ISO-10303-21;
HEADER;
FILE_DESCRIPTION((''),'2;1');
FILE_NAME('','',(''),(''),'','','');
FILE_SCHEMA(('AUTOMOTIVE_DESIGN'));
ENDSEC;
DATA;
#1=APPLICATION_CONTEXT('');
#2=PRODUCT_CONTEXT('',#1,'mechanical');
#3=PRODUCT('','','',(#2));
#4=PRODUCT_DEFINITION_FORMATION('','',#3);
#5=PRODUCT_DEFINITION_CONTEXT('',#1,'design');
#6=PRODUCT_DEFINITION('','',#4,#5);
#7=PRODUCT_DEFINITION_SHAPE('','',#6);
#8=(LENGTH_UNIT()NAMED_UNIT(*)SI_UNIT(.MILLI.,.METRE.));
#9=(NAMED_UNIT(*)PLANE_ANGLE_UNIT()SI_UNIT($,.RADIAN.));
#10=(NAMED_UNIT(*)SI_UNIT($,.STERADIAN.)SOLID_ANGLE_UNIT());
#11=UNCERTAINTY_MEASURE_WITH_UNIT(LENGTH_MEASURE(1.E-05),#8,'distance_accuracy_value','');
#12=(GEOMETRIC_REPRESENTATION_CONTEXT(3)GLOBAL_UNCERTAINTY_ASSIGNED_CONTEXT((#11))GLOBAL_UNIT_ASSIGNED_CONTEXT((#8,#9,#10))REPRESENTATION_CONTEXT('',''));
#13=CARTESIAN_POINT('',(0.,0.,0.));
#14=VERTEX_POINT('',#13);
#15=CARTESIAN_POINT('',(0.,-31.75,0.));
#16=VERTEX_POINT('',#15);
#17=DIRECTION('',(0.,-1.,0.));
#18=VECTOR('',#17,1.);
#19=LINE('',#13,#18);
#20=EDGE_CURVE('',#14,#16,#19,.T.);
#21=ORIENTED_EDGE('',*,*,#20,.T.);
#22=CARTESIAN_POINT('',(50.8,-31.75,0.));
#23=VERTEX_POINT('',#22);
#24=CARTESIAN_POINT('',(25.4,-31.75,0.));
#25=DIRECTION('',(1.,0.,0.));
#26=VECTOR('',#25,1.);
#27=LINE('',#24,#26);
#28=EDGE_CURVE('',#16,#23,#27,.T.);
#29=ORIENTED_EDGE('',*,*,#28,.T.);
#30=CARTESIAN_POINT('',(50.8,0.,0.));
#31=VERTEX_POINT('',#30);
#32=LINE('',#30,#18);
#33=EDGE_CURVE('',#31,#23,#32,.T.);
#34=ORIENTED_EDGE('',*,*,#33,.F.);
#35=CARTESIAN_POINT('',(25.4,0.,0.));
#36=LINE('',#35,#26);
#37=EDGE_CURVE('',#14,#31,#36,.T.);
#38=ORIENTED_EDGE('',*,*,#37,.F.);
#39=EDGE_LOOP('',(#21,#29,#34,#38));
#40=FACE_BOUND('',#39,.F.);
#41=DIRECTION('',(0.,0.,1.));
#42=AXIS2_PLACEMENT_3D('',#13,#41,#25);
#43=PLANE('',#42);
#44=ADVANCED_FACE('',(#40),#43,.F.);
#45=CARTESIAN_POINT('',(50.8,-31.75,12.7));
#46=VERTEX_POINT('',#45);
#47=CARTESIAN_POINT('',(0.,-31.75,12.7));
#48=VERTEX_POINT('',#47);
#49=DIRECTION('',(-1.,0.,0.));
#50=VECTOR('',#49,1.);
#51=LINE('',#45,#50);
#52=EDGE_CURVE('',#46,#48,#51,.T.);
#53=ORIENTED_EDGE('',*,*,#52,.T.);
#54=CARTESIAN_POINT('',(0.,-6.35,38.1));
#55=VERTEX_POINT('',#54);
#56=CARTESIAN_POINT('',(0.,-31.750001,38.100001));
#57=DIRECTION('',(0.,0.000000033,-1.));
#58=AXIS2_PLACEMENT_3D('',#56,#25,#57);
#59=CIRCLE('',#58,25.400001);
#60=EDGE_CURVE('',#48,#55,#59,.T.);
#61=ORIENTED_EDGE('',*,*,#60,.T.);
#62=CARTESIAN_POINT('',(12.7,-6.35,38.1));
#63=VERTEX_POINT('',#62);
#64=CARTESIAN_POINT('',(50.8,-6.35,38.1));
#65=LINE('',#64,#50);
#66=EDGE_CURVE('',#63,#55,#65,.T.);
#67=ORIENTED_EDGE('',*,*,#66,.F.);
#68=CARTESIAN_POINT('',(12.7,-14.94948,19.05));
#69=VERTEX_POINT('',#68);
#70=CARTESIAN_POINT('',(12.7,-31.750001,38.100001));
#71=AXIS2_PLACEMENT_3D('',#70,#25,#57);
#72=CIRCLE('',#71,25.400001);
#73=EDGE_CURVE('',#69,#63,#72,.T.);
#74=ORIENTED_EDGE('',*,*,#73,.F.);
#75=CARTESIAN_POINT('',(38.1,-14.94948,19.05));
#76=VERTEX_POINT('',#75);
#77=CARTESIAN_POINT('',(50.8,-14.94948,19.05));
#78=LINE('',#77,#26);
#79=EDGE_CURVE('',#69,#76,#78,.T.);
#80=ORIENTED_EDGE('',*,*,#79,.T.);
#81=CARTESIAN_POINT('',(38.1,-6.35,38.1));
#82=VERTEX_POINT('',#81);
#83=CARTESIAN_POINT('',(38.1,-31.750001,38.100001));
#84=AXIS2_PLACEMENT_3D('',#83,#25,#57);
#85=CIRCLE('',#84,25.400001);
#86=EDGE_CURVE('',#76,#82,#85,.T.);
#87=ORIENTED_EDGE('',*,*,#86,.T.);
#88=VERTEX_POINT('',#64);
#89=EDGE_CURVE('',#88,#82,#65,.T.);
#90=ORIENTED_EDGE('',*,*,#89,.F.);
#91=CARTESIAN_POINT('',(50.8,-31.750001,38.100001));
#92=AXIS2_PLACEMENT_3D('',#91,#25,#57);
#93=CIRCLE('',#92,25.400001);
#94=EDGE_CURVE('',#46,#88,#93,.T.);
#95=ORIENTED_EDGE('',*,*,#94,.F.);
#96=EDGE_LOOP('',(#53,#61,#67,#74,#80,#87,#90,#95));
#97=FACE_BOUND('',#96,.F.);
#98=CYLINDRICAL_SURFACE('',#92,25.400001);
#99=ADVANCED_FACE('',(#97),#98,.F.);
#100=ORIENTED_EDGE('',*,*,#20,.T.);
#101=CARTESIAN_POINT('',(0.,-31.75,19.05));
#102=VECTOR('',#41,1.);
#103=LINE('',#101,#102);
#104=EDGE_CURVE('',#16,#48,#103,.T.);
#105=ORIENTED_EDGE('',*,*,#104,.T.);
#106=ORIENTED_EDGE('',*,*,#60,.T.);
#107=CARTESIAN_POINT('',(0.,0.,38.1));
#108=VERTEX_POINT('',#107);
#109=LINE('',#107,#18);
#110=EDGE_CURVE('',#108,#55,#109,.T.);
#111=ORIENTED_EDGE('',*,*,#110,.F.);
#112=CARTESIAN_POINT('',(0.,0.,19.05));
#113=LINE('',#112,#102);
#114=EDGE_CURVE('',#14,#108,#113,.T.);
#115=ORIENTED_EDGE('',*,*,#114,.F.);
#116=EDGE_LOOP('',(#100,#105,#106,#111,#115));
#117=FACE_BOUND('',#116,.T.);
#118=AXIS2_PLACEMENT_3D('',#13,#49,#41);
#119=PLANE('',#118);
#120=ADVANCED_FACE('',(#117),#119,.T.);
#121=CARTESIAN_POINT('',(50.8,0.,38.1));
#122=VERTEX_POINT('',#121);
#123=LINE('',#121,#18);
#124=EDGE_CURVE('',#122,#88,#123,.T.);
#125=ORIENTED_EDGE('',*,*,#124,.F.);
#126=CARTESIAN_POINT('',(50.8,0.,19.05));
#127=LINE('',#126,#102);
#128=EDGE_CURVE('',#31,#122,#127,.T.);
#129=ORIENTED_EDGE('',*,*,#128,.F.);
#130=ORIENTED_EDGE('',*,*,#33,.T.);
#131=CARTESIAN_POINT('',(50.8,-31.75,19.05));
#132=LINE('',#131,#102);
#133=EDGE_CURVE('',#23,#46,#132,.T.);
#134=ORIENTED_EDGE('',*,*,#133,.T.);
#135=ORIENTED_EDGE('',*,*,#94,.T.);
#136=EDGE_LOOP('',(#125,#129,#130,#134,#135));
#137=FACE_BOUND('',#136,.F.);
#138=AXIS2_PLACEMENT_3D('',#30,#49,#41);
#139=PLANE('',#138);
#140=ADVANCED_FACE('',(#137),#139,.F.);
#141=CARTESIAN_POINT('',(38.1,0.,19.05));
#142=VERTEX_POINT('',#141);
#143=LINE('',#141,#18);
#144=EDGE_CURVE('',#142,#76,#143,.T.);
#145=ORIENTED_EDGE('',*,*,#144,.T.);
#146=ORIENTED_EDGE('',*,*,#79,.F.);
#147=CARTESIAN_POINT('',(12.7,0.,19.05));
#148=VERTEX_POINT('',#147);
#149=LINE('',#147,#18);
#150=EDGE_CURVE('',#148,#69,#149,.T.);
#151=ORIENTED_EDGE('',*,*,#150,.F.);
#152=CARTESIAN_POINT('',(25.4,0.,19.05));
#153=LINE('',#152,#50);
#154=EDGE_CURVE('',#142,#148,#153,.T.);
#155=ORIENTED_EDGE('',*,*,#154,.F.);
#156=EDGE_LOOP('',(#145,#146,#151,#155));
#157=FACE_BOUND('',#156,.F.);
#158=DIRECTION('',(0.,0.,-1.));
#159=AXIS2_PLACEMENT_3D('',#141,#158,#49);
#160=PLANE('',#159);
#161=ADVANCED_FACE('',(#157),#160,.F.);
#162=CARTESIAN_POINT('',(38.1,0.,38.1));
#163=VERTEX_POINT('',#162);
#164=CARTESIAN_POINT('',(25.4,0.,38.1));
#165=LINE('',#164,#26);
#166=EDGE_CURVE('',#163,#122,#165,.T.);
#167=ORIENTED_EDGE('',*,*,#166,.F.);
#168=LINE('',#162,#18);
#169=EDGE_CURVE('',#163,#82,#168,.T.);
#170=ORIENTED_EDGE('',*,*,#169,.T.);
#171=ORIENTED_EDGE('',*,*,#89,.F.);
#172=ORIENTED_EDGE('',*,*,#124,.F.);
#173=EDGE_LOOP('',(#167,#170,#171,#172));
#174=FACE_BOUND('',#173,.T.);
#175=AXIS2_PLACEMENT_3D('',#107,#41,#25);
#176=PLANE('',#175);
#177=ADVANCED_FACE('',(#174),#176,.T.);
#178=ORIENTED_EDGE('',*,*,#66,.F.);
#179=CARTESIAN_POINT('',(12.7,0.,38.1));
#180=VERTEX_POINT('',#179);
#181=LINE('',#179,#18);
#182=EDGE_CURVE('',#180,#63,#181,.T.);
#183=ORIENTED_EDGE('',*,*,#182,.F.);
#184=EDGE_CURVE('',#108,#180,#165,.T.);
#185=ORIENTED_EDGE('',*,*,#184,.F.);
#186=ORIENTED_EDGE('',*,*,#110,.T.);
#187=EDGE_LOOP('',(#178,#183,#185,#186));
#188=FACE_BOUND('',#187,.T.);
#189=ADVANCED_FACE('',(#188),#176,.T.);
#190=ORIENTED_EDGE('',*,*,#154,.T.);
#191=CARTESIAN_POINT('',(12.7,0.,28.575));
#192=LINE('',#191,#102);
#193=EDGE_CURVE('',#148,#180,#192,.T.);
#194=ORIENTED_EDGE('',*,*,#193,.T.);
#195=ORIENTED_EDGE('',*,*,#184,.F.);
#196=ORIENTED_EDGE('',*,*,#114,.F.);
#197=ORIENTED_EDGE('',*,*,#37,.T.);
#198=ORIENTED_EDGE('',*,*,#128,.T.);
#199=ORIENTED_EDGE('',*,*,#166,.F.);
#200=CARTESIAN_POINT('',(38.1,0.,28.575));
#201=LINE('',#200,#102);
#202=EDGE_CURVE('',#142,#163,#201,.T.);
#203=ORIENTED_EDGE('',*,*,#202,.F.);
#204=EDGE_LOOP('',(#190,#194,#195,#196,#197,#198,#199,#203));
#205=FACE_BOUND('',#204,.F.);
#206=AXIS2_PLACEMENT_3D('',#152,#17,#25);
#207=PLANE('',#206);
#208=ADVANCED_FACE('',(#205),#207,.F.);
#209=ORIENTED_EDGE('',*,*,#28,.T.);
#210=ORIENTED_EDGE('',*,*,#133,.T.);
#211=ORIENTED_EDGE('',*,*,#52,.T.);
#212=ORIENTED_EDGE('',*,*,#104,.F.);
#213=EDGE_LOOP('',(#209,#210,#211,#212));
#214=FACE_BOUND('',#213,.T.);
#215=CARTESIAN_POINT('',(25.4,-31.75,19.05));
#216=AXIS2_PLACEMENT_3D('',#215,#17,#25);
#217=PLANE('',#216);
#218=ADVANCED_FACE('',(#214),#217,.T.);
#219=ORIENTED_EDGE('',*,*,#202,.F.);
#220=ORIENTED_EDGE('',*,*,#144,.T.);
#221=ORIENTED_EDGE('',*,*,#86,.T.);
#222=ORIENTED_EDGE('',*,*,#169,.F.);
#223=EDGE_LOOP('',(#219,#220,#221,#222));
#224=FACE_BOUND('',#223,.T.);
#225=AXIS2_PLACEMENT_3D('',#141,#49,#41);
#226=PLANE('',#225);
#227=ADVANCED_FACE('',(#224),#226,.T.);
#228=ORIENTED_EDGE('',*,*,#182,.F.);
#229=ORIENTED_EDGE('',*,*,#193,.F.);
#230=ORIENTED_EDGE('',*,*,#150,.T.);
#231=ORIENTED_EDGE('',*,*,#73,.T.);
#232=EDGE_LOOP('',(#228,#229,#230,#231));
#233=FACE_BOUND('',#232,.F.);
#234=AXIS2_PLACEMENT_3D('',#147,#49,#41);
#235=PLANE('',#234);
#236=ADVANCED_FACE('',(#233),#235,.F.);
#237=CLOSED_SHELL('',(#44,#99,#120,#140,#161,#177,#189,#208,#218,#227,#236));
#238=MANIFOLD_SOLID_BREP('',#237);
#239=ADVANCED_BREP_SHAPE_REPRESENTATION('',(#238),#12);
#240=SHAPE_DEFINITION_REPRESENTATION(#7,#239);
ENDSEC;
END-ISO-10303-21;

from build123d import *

# Parameters (mm, degrees)
F0_W     = 50.8
F0_H     = 38.1
F1_DEPTH = 31.75
F3_DEPTH = 50.8
F4_W     = 25.4
F4_H     = 19.05
F5_DEPTH = 19.05


with BuildPart() as f1:
    # F0 (on Front) → F1 (new body)
    with BuildSketch(Plane.XZ):
        with Locations((25.4, 19.05)):
            Rectangle(F0_W, F0_H)
    extrude(amount=F1_DEPTH)

    # F2 (on face) → F3 (cut)
    with BuildSketch(Plane.YZ.offset(50.8)):
        with BuildLine():
            ThreePointArc((-31.75, 12.7), (-13.789488, 20.139488), (-6.35, 38.1))
            Line((-6.35, 38.1), (-31.75, 38.1))
            Line((-31.75, 38.1), (-31.75, 12.7))
        make_face()
        with BuildLine():
            Line((-31.75, 38.1), (-6.35, 38.1))
            ThreePointArc((-6.35, 38.1), (-49.710512, 56.060512), (-31.75, 12.7))
            Line((-31.75, 12.7), (-31.75, 38.1))
        make_face()
    extrude(amount=-F3_DEPTH, mode=Mode.SUBTRACT)

    # F4 (on face) → F5 (cut)
    with BuildSketch(Plane(origin=(0, 0, 0), x_dir=(-1, 0, 0), z_dir=(0, 1, 0))):
        with Locations((-25.4, 28.575)):
            Rectangle(F4_W, F4_H)
    extrude(amount=-F5_DEPTH, mode=Mode.SUBTRACT)


solid = f1.part
